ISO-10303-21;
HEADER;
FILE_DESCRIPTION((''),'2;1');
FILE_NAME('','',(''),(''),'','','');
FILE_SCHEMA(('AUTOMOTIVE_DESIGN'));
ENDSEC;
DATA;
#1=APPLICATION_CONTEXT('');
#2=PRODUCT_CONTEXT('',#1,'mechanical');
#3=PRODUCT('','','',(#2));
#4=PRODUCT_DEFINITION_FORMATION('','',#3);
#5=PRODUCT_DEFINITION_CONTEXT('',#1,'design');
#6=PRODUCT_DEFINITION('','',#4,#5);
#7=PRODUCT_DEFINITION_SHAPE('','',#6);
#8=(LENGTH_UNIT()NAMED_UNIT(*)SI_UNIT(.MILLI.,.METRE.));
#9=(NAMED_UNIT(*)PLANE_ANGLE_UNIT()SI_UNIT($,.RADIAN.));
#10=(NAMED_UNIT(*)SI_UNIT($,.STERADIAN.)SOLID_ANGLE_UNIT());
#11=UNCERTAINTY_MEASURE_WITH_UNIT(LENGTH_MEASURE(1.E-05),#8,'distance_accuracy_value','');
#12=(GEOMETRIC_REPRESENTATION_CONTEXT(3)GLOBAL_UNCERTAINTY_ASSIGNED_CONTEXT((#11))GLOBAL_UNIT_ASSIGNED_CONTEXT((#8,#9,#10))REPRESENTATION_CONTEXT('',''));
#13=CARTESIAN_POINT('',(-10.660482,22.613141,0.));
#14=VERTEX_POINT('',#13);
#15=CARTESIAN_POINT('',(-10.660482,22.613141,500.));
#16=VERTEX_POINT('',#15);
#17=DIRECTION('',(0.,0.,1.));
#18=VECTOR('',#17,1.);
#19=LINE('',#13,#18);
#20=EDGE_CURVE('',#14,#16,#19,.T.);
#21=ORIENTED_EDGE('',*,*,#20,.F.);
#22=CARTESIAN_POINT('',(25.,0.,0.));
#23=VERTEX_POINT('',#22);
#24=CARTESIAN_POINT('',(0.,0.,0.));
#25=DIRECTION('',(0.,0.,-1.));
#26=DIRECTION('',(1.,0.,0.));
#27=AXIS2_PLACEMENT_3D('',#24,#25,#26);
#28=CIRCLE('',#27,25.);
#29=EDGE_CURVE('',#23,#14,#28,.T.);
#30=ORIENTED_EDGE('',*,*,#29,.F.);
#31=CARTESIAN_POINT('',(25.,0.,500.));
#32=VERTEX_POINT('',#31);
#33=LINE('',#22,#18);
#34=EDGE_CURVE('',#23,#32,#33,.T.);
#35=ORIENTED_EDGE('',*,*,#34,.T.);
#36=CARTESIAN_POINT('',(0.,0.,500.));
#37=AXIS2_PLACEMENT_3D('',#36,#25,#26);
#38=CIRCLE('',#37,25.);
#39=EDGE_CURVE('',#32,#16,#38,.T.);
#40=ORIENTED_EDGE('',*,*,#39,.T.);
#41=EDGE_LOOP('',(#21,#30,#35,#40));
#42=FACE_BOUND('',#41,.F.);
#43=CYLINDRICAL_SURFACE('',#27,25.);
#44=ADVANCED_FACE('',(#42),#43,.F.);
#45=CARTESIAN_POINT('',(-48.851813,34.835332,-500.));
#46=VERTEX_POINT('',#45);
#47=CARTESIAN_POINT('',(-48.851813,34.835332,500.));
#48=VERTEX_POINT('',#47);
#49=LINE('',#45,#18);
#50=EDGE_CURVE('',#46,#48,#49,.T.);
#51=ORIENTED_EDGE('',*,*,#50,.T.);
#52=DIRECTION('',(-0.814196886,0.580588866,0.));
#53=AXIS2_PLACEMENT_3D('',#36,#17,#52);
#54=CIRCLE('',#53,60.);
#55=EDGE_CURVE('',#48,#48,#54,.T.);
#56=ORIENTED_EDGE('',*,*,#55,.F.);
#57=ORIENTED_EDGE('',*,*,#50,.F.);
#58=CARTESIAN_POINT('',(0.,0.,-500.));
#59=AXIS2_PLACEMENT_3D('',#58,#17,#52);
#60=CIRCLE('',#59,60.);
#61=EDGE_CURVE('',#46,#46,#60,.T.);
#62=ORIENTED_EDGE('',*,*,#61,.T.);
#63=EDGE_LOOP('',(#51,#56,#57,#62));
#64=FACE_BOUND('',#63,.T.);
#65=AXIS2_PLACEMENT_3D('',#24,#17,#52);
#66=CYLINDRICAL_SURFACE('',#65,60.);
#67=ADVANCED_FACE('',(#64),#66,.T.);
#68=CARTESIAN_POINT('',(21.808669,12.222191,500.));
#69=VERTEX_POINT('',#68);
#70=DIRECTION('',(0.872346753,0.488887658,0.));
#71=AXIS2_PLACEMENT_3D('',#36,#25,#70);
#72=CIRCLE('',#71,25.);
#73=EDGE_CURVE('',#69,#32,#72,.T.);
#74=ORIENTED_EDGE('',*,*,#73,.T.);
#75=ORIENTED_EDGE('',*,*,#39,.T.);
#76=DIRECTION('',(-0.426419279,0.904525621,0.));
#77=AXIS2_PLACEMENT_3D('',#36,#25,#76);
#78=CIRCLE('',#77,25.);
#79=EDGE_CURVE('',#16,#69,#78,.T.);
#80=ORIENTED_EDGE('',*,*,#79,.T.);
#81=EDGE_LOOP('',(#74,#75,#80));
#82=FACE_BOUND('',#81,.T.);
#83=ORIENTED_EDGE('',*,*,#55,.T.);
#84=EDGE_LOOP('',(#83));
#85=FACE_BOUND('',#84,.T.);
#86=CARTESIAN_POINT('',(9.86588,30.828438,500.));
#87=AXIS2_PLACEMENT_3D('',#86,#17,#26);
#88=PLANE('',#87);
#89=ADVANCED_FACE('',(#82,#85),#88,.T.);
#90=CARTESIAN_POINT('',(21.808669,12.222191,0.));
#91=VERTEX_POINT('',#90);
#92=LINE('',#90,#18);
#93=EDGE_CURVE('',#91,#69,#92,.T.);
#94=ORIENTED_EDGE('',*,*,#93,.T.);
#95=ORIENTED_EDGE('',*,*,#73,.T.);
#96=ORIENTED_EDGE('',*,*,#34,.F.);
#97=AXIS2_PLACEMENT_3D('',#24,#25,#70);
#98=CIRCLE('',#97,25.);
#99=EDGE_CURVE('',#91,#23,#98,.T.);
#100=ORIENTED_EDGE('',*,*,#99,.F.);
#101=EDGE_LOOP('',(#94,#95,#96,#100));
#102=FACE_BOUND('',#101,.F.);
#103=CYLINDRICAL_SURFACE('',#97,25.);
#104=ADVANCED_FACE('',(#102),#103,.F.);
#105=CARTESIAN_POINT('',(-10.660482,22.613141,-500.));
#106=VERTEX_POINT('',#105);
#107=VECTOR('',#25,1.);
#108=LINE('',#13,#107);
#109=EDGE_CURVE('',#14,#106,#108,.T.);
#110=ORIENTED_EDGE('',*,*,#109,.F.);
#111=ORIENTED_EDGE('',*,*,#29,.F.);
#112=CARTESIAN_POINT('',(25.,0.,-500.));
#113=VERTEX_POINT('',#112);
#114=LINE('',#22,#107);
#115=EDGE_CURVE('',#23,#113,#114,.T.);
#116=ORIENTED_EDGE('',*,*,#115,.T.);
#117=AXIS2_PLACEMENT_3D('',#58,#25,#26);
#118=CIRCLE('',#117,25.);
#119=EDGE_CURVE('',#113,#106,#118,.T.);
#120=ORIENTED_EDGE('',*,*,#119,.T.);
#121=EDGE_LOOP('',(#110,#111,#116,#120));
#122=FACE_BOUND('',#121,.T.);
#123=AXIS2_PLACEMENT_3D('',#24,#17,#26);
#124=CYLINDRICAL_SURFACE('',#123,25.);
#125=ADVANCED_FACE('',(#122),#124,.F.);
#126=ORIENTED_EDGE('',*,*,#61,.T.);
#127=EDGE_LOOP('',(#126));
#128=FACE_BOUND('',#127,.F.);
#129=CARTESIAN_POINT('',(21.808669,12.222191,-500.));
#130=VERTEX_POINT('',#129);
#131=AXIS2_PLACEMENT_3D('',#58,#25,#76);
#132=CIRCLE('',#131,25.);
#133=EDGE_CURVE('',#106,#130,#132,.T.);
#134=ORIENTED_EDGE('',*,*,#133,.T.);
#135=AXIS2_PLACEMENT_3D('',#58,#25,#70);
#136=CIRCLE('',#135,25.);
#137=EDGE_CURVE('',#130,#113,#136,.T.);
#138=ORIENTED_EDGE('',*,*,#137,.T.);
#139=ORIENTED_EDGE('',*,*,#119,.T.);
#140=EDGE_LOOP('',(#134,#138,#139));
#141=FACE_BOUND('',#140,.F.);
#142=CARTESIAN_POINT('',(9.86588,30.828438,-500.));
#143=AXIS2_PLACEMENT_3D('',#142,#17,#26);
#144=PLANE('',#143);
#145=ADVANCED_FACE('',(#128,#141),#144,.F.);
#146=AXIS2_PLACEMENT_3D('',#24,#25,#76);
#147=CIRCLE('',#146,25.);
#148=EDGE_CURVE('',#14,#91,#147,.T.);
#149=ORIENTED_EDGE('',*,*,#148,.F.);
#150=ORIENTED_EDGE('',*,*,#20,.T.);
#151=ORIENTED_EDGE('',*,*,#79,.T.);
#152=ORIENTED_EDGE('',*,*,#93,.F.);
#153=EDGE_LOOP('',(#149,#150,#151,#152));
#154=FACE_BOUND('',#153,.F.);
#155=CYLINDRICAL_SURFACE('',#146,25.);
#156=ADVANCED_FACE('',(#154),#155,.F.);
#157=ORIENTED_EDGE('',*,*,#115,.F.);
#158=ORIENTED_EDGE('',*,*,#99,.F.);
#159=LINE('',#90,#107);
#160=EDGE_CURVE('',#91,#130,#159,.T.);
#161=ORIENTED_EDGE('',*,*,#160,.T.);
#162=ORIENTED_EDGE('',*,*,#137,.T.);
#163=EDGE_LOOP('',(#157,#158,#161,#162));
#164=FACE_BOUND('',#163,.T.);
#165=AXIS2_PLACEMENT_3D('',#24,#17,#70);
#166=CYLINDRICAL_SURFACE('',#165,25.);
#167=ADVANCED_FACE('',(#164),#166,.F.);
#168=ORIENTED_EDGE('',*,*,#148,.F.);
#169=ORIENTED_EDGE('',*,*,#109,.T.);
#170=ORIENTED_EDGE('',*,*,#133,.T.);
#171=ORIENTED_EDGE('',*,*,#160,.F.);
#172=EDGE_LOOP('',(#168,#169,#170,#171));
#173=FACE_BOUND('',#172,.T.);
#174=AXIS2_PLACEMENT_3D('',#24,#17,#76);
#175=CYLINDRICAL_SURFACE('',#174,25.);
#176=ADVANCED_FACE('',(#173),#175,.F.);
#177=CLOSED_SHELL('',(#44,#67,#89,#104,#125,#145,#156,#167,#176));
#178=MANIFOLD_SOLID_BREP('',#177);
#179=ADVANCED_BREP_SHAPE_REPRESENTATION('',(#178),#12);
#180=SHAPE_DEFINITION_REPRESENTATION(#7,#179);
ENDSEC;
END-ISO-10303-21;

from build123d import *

# Parameters (mm, degrees)
F1_DEPTH = 500


with BuildPart() as f1:
    # F0 (on Top) → F1 (new body, symmetric)
    with BuildSketch(Plane.XY):
        with BuildLine():
            Line((21.8086688348, 12.2221914423), (60, 0))
            ThreePointArc((60, 0), (18.287854049, 57.1450294801), (-48.8518131428, 34.8353319585))
            Line((-48.8518131428, 34.8353319585), (-10.6604819776, 22.6131405162))
            ThreePointArc((-10.6604819776, 22.6131405162), (7.6199391871, 23.8104289501), (21.8086688348, 12.2221914423))
        make_face()
        with BuildLine():
            ThreePointArc((-48.8518131428, 34.8353319585), (-18.287854049, -57.1450294801), (60, 0))
            Line((60, 0), (21.8086688348, 12.2221914423))
            ThreePointArc((21.8086688348, 12.2221914423), (24.1890132175, 6.3159828661), (25, 0))
            ThreePointArc((25, 0), (-13.3882028398, -21.1129350096), (-10.6604819776, 22.6131405162))
            Line((-10.6604819776, 22.6131405162), (-48.8518131428, 34.8353319585))
        make_face()
    extrude(amount=F1_DEPTH, both=True)


solid = f1.part
